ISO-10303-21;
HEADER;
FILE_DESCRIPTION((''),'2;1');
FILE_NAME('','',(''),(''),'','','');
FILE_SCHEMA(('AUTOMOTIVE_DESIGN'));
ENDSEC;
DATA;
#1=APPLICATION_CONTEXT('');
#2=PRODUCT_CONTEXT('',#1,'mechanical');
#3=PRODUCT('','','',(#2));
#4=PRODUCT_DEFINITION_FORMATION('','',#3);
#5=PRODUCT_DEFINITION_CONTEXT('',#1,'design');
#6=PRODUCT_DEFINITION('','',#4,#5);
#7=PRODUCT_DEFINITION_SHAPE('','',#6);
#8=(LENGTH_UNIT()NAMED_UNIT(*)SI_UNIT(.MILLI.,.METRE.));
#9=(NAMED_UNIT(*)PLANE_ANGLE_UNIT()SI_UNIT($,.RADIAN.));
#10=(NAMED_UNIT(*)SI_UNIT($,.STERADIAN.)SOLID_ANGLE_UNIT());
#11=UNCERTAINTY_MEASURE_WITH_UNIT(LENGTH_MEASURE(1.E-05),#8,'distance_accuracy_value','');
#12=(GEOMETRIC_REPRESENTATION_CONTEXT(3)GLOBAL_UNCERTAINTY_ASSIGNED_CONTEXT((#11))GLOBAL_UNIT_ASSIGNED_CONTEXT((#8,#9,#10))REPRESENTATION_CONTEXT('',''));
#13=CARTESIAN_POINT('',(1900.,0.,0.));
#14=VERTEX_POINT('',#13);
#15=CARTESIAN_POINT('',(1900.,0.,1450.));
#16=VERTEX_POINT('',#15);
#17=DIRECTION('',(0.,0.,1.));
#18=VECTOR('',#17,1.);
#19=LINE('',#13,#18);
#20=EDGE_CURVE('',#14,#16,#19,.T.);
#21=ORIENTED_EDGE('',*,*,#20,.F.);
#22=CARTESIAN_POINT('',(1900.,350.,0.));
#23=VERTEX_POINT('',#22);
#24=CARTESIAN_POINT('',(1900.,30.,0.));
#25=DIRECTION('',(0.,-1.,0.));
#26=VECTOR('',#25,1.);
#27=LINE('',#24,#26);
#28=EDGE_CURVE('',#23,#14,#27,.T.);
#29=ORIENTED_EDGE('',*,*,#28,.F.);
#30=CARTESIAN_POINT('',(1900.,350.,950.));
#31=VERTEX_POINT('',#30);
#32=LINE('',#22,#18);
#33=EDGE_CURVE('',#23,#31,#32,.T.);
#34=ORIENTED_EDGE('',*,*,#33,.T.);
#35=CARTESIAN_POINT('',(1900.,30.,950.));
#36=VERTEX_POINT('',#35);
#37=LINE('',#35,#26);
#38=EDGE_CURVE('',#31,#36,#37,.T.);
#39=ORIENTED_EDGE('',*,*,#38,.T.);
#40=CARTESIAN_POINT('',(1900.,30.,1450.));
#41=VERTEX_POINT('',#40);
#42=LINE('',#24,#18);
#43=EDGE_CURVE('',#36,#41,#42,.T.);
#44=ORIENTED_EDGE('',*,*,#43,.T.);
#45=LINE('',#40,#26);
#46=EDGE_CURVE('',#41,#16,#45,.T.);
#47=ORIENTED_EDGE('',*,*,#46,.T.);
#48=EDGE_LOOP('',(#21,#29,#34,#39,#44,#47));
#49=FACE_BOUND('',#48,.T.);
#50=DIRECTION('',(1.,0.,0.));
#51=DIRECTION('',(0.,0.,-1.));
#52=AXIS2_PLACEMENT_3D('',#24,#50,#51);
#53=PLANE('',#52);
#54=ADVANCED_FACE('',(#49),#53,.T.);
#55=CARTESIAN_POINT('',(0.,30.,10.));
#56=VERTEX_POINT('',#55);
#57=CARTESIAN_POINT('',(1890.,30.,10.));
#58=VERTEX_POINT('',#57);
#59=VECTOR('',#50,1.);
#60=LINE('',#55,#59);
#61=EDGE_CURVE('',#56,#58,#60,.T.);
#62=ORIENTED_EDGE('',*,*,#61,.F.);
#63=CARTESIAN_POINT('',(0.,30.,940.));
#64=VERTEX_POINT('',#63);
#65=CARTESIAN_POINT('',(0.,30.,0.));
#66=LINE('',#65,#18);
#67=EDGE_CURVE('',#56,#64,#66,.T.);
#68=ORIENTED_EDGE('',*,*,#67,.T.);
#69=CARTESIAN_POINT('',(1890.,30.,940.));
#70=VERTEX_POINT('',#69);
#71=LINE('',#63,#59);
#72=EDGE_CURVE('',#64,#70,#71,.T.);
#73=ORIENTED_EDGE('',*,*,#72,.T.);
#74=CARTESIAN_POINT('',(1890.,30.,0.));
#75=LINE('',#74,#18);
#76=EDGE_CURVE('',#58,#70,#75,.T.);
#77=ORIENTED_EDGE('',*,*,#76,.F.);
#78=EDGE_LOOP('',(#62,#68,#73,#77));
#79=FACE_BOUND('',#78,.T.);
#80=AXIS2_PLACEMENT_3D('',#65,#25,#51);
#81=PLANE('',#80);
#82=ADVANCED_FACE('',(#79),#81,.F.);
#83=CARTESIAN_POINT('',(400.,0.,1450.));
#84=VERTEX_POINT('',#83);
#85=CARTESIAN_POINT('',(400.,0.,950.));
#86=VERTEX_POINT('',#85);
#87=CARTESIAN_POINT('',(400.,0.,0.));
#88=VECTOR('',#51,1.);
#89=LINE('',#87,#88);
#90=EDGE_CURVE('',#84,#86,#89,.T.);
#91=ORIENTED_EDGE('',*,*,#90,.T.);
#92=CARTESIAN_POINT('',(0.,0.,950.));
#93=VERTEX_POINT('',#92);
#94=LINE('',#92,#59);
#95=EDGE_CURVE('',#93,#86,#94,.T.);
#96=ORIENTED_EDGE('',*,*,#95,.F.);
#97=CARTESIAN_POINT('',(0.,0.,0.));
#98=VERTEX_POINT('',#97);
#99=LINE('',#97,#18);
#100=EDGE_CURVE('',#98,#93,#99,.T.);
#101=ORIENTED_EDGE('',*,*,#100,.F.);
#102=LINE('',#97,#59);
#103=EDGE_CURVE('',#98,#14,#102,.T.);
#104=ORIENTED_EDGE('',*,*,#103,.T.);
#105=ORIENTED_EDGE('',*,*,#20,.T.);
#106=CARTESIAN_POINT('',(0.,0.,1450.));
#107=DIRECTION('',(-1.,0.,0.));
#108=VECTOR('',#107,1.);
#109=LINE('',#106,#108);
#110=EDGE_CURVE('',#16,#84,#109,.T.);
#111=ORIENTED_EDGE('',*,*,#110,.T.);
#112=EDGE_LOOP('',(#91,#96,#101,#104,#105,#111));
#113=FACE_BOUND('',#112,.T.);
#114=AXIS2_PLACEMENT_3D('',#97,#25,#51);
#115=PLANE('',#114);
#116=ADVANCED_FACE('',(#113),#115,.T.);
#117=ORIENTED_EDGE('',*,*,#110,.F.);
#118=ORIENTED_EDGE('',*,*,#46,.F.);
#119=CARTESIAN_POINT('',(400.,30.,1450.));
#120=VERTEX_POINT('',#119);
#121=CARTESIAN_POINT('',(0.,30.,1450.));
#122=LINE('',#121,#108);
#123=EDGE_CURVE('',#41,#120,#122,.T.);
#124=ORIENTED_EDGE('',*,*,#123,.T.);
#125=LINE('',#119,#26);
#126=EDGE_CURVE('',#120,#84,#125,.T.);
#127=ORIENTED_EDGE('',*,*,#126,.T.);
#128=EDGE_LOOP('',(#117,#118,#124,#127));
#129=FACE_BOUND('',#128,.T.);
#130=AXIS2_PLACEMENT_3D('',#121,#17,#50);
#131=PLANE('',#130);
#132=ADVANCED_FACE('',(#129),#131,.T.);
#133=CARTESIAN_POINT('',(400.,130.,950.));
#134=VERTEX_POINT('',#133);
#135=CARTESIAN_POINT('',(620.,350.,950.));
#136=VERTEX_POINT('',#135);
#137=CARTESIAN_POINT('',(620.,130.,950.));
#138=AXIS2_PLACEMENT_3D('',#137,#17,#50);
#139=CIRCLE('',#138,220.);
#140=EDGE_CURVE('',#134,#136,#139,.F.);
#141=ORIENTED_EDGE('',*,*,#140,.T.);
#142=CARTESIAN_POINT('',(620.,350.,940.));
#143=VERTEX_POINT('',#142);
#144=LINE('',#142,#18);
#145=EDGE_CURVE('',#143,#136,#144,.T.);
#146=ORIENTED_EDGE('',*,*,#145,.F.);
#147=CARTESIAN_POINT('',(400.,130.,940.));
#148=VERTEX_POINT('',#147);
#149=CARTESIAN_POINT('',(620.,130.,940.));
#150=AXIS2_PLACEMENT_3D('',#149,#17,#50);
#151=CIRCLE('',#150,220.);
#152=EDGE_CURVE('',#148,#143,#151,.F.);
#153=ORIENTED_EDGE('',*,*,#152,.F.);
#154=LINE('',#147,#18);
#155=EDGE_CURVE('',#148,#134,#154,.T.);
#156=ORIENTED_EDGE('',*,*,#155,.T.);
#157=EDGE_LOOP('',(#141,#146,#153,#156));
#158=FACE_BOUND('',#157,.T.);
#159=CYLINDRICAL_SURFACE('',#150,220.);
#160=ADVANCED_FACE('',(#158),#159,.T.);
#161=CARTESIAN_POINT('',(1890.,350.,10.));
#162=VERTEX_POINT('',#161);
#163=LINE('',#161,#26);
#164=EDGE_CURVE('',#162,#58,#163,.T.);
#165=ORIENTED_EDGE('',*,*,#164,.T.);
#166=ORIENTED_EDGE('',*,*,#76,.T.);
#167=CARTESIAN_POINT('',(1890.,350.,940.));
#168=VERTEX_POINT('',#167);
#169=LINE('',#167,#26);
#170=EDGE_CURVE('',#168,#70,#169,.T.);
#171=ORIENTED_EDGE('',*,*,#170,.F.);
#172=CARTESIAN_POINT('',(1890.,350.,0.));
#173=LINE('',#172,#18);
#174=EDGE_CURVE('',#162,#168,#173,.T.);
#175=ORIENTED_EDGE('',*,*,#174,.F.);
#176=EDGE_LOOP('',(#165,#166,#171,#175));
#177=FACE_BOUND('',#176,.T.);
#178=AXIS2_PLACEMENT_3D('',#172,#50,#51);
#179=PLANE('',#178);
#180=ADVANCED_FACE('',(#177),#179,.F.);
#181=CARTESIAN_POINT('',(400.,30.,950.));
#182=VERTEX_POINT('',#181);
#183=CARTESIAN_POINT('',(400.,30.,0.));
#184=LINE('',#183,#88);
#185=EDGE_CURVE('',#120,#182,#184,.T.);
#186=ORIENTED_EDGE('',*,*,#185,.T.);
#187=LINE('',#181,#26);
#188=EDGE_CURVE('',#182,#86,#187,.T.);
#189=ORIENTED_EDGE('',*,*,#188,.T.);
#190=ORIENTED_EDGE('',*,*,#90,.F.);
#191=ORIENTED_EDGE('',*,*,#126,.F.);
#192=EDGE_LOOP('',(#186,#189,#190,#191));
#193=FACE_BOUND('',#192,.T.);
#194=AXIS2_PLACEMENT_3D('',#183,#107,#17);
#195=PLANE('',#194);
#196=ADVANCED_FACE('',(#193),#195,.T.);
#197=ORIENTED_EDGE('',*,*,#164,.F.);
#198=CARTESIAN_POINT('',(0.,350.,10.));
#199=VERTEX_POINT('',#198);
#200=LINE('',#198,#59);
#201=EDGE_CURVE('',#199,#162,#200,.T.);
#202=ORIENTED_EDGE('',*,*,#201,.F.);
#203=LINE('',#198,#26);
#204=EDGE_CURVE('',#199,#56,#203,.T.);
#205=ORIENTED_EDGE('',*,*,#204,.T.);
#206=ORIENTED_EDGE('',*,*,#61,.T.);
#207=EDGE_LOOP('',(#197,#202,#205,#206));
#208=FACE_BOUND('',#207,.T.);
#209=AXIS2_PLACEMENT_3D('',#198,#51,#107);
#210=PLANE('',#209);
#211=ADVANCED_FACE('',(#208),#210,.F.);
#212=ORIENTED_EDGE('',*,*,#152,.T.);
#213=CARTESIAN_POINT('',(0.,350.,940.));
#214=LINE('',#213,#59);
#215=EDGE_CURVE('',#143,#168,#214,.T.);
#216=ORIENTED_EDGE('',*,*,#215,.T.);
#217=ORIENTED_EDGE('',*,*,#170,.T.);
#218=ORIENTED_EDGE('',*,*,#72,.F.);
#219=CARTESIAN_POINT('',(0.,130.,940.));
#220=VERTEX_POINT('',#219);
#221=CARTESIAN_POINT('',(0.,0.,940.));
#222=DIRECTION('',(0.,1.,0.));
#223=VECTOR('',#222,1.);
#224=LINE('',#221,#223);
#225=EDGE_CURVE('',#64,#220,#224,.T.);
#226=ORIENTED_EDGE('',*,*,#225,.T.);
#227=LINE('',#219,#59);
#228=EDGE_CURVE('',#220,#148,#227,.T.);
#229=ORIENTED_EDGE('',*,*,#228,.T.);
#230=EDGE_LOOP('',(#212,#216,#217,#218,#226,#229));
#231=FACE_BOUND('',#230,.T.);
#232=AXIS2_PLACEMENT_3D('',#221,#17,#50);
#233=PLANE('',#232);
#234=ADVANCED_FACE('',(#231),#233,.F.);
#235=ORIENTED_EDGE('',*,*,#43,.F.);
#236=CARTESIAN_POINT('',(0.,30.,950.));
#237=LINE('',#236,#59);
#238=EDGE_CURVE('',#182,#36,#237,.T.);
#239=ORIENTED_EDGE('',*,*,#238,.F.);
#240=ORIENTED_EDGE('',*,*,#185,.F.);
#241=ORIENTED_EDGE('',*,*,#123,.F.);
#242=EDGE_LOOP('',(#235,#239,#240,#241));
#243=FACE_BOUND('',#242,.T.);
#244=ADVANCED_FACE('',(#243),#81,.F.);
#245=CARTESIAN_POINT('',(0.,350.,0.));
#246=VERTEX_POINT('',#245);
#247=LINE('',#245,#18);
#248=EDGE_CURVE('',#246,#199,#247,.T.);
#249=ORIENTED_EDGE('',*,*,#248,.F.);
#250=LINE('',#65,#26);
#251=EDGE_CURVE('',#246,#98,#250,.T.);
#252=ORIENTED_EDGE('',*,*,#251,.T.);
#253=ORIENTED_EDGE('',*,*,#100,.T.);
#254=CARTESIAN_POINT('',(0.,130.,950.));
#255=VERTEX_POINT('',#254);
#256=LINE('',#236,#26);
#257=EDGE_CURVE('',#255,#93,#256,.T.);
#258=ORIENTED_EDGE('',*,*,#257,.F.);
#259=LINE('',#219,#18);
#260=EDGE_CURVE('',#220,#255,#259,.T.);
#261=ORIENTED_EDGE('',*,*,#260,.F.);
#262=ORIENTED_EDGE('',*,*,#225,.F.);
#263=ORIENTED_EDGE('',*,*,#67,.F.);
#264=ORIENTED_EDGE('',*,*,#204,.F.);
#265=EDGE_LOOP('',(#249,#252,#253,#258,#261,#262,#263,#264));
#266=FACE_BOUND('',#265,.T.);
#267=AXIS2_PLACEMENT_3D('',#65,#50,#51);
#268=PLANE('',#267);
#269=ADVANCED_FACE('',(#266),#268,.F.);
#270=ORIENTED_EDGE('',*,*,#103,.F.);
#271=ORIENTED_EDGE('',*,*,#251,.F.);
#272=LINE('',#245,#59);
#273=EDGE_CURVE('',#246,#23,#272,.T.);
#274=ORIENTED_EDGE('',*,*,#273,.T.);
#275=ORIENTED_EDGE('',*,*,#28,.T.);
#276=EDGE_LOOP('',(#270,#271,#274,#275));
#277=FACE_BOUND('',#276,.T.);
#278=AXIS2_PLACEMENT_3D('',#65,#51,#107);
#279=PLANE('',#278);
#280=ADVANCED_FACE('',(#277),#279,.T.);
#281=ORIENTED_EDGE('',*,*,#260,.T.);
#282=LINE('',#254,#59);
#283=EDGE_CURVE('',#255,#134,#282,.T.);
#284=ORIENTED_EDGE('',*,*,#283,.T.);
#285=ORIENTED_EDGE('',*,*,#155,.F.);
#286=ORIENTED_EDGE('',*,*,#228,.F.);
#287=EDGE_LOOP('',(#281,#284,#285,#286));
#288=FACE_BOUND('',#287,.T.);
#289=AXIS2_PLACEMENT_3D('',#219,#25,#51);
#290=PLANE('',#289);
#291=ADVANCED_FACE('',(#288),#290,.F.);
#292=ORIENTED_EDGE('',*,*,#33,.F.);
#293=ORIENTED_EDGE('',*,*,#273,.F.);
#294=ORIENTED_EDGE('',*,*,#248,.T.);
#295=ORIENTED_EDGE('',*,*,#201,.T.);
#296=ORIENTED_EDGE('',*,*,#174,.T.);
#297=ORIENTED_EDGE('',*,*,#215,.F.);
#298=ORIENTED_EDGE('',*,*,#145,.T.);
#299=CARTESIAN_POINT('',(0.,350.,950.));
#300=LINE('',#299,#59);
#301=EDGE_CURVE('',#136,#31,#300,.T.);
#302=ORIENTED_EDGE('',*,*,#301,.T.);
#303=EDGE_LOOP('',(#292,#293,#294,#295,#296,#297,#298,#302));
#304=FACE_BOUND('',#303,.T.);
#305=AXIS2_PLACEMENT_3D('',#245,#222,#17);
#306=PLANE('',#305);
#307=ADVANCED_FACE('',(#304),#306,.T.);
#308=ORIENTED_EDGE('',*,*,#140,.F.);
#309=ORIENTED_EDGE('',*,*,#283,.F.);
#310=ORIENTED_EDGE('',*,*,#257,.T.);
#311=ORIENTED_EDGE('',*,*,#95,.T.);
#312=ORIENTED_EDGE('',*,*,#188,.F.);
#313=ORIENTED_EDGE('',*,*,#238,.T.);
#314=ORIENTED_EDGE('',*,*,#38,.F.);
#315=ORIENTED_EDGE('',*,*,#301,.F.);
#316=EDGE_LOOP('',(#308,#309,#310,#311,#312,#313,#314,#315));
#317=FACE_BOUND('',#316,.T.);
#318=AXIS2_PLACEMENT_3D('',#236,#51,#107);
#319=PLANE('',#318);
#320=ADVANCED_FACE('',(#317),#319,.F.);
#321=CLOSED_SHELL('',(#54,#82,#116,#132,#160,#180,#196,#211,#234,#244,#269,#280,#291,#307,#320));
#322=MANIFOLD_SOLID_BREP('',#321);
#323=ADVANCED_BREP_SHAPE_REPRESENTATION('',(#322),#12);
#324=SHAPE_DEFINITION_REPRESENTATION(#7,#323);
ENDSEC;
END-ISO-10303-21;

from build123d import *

# Parameters (mm, degrees)
SKETCH1_W           = 1900
SKETCH1_H           = 950
BOSS_EXTRUDE1_DEPTH = 30
BOSS_EXTRUDE2_DEPTH = 350
BOSS_EXTRUDE4_DEPTH = 30
BOSS_EXTRUDE5_DEPTH = 10


with BuildPart() as part:
    # Sketch1 → Boss-Extrude1 (new body)
    with BuildSketch(Plane(origin=(0, 0, 0), x_dir=(1, 0, 0), z_dir=(0, 1, 0))):
        with Locations((950, -475)):
            Rectangle(SKETCH1_W, SKETCH1_H)
    extrude(amount=BOSS_EXTRUDE1_DEPTH)

    # Sketch1<3> → Boss-Extrude2 (add)
    with BuildSketch(Plane(origin=(0, 0, 0), x_dir=(1, 0, 0), z_dir=(0, 1, 0))):
        Polygon((0, 0), (0, -10), (1890, -10), (1890, -950), (1900, -950), (1900, 0), align=None)
    extrude(amount=BOSS_EXTRUDE2_DEPTH)

    # Sketch1<4> → Boss-Extrude4 (add)
    with BuildSketch(Plane(origin=(0, 0, 0), x_dir=(1, 0, 0), z_dir=(0, 1, 0))):
        Polygon((1900, -950), (1890, -950), (400, -950), (400, -1450), (1900, -1450), align=None)
    extrude(amount=BOSS_EXTRUDE4_DEPTH)

    # Sketch3 → Boss-Extrude5 (add)
    with BuildSketch(Plane.XY.offset(950)):
        with BuildLine():
            ThreePointArc((620, 350), (464.436508139, 285.563491861), (400, 130))
            Line((400, 130), (0, 130))
            Line((0, 130), (0, 30))
            Line((0, 30), (1900, 30))
            Line((1900, 30), (1900, 350))
            Line((1900, 350), (620, 350))
        make_face()
    extrude(amount=-BOSS_EXTRUDE5_DEPTH)


solid = part.part
